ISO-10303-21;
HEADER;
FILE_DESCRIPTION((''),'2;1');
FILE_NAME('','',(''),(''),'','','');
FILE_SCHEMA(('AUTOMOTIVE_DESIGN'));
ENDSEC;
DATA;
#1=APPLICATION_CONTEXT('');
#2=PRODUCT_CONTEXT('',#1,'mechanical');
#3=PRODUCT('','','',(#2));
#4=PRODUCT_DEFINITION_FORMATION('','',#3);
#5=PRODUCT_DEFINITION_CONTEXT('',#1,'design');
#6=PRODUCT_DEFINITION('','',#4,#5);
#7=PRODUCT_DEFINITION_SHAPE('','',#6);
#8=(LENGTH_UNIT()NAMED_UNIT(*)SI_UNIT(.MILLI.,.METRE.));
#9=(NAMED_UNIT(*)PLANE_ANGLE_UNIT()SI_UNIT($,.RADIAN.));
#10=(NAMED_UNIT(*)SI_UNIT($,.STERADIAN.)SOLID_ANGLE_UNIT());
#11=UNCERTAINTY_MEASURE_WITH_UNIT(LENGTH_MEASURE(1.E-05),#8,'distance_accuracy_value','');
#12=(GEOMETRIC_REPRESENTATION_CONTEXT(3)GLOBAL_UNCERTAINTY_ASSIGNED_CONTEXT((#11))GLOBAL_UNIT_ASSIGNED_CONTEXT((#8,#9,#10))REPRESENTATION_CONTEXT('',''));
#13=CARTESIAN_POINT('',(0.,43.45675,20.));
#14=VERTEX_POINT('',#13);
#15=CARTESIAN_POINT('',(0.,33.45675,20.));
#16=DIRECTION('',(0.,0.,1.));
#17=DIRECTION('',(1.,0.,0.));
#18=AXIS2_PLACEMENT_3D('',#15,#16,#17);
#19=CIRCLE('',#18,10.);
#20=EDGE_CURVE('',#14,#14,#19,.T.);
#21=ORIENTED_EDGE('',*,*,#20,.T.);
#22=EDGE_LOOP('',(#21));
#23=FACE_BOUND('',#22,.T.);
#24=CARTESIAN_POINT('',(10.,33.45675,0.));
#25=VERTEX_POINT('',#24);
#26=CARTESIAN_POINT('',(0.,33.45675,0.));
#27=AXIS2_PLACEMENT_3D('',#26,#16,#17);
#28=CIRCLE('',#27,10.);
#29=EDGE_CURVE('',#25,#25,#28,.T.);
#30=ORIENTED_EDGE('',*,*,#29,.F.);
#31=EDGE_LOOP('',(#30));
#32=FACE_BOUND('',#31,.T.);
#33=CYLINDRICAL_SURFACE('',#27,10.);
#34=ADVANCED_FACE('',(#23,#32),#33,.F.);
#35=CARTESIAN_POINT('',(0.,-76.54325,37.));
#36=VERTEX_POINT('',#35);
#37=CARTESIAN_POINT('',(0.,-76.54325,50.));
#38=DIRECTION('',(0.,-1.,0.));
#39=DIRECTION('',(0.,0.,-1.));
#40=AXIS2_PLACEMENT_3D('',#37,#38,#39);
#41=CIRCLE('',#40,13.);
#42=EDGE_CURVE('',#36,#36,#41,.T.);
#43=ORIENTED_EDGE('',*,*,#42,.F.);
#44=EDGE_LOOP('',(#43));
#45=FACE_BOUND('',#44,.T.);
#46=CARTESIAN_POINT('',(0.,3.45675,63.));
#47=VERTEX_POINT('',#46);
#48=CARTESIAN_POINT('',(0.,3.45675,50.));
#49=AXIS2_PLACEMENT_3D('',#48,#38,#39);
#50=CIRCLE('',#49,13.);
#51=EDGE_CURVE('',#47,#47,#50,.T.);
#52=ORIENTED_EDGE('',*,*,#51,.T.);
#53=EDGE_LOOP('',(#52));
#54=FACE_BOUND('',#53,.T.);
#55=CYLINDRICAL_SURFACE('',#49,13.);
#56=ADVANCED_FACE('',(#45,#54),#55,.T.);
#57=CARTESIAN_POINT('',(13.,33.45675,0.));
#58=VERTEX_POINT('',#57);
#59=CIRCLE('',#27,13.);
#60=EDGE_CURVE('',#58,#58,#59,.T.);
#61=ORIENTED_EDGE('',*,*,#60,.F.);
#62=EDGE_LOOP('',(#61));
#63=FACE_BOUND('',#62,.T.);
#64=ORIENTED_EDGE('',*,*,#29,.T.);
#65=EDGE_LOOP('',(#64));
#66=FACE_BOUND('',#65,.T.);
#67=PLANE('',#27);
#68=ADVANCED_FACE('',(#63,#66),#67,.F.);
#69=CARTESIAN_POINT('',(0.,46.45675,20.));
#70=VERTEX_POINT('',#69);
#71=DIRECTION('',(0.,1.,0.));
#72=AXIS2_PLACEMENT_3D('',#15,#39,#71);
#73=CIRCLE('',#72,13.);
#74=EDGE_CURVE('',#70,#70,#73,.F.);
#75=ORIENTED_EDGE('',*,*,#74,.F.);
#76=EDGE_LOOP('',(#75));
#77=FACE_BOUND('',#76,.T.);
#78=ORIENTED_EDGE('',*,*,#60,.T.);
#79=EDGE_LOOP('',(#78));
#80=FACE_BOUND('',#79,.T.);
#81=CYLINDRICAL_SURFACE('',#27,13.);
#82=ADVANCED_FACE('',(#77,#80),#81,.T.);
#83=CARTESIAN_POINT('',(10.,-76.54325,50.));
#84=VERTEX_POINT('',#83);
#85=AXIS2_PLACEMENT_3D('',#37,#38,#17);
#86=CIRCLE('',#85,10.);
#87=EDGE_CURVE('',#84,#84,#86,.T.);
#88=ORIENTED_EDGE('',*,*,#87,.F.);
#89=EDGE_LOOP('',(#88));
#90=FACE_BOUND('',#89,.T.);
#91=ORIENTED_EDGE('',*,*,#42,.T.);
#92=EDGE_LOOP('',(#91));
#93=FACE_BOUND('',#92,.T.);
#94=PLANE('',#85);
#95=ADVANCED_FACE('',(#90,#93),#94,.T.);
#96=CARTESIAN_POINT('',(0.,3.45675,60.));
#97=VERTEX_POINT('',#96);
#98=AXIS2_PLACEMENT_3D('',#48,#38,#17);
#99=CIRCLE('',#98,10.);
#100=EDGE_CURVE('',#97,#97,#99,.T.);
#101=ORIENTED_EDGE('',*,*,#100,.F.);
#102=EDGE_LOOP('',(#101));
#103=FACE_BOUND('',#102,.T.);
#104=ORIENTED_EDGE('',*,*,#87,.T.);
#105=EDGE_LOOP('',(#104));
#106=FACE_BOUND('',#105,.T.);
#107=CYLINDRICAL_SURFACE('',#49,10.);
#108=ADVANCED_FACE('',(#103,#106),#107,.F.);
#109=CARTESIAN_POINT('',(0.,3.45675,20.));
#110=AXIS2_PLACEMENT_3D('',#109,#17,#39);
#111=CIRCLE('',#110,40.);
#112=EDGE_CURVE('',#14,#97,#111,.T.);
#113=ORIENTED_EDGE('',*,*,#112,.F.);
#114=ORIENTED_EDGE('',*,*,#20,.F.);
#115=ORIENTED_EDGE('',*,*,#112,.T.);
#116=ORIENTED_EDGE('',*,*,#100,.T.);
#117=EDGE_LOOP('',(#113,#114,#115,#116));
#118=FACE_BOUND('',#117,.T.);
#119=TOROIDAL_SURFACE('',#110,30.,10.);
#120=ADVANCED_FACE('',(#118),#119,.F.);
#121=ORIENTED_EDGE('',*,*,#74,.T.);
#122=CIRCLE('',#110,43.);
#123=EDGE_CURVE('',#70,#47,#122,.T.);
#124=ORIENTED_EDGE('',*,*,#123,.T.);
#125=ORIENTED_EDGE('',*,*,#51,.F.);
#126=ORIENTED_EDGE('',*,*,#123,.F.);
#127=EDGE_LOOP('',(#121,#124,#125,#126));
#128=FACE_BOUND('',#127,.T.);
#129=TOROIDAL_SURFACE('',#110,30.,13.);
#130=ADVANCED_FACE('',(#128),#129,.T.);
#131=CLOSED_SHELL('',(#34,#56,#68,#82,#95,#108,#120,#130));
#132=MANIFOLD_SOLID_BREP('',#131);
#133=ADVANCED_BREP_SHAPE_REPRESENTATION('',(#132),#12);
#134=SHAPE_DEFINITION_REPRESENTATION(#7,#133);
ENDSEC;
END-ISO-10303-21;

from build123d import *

# Parameters (mm, degrees)
SKETCH2_R   = 13
SKETCH2_R_2 = 10


with BuildPart() as part:
    # Sweep-Thin1: sweep along a path in Sketch1
    with BuildLine(Plane(origin=(0, 0, 0), x_dir=(0, 0, -1), z_dir=(1, 0, 0))) as sweep_thin1_path:
        Line((0, 33.456749572), (-20, 33.456749572))
        ThreePointArc((-20, 33.456749572), (-41.213203436, 24.669953007), (-50, 3.456749572))
        Line((-50, 3.456749572), (-50, -76.543250428))
    # Sketch2 → Sweep-Thin1 (sweep)
    with BuildSketch(Plane.XY):
        with Locations((0, 33.456749572)):
            Circle(SKETCH2_R)
        with Locations((0, 33.456749572)):
            Circle(SKETCH2_R_2, mode=Mode.SUBTRACT)
    sweep(path=sweep_thin1_path.line)


solid = part.part
